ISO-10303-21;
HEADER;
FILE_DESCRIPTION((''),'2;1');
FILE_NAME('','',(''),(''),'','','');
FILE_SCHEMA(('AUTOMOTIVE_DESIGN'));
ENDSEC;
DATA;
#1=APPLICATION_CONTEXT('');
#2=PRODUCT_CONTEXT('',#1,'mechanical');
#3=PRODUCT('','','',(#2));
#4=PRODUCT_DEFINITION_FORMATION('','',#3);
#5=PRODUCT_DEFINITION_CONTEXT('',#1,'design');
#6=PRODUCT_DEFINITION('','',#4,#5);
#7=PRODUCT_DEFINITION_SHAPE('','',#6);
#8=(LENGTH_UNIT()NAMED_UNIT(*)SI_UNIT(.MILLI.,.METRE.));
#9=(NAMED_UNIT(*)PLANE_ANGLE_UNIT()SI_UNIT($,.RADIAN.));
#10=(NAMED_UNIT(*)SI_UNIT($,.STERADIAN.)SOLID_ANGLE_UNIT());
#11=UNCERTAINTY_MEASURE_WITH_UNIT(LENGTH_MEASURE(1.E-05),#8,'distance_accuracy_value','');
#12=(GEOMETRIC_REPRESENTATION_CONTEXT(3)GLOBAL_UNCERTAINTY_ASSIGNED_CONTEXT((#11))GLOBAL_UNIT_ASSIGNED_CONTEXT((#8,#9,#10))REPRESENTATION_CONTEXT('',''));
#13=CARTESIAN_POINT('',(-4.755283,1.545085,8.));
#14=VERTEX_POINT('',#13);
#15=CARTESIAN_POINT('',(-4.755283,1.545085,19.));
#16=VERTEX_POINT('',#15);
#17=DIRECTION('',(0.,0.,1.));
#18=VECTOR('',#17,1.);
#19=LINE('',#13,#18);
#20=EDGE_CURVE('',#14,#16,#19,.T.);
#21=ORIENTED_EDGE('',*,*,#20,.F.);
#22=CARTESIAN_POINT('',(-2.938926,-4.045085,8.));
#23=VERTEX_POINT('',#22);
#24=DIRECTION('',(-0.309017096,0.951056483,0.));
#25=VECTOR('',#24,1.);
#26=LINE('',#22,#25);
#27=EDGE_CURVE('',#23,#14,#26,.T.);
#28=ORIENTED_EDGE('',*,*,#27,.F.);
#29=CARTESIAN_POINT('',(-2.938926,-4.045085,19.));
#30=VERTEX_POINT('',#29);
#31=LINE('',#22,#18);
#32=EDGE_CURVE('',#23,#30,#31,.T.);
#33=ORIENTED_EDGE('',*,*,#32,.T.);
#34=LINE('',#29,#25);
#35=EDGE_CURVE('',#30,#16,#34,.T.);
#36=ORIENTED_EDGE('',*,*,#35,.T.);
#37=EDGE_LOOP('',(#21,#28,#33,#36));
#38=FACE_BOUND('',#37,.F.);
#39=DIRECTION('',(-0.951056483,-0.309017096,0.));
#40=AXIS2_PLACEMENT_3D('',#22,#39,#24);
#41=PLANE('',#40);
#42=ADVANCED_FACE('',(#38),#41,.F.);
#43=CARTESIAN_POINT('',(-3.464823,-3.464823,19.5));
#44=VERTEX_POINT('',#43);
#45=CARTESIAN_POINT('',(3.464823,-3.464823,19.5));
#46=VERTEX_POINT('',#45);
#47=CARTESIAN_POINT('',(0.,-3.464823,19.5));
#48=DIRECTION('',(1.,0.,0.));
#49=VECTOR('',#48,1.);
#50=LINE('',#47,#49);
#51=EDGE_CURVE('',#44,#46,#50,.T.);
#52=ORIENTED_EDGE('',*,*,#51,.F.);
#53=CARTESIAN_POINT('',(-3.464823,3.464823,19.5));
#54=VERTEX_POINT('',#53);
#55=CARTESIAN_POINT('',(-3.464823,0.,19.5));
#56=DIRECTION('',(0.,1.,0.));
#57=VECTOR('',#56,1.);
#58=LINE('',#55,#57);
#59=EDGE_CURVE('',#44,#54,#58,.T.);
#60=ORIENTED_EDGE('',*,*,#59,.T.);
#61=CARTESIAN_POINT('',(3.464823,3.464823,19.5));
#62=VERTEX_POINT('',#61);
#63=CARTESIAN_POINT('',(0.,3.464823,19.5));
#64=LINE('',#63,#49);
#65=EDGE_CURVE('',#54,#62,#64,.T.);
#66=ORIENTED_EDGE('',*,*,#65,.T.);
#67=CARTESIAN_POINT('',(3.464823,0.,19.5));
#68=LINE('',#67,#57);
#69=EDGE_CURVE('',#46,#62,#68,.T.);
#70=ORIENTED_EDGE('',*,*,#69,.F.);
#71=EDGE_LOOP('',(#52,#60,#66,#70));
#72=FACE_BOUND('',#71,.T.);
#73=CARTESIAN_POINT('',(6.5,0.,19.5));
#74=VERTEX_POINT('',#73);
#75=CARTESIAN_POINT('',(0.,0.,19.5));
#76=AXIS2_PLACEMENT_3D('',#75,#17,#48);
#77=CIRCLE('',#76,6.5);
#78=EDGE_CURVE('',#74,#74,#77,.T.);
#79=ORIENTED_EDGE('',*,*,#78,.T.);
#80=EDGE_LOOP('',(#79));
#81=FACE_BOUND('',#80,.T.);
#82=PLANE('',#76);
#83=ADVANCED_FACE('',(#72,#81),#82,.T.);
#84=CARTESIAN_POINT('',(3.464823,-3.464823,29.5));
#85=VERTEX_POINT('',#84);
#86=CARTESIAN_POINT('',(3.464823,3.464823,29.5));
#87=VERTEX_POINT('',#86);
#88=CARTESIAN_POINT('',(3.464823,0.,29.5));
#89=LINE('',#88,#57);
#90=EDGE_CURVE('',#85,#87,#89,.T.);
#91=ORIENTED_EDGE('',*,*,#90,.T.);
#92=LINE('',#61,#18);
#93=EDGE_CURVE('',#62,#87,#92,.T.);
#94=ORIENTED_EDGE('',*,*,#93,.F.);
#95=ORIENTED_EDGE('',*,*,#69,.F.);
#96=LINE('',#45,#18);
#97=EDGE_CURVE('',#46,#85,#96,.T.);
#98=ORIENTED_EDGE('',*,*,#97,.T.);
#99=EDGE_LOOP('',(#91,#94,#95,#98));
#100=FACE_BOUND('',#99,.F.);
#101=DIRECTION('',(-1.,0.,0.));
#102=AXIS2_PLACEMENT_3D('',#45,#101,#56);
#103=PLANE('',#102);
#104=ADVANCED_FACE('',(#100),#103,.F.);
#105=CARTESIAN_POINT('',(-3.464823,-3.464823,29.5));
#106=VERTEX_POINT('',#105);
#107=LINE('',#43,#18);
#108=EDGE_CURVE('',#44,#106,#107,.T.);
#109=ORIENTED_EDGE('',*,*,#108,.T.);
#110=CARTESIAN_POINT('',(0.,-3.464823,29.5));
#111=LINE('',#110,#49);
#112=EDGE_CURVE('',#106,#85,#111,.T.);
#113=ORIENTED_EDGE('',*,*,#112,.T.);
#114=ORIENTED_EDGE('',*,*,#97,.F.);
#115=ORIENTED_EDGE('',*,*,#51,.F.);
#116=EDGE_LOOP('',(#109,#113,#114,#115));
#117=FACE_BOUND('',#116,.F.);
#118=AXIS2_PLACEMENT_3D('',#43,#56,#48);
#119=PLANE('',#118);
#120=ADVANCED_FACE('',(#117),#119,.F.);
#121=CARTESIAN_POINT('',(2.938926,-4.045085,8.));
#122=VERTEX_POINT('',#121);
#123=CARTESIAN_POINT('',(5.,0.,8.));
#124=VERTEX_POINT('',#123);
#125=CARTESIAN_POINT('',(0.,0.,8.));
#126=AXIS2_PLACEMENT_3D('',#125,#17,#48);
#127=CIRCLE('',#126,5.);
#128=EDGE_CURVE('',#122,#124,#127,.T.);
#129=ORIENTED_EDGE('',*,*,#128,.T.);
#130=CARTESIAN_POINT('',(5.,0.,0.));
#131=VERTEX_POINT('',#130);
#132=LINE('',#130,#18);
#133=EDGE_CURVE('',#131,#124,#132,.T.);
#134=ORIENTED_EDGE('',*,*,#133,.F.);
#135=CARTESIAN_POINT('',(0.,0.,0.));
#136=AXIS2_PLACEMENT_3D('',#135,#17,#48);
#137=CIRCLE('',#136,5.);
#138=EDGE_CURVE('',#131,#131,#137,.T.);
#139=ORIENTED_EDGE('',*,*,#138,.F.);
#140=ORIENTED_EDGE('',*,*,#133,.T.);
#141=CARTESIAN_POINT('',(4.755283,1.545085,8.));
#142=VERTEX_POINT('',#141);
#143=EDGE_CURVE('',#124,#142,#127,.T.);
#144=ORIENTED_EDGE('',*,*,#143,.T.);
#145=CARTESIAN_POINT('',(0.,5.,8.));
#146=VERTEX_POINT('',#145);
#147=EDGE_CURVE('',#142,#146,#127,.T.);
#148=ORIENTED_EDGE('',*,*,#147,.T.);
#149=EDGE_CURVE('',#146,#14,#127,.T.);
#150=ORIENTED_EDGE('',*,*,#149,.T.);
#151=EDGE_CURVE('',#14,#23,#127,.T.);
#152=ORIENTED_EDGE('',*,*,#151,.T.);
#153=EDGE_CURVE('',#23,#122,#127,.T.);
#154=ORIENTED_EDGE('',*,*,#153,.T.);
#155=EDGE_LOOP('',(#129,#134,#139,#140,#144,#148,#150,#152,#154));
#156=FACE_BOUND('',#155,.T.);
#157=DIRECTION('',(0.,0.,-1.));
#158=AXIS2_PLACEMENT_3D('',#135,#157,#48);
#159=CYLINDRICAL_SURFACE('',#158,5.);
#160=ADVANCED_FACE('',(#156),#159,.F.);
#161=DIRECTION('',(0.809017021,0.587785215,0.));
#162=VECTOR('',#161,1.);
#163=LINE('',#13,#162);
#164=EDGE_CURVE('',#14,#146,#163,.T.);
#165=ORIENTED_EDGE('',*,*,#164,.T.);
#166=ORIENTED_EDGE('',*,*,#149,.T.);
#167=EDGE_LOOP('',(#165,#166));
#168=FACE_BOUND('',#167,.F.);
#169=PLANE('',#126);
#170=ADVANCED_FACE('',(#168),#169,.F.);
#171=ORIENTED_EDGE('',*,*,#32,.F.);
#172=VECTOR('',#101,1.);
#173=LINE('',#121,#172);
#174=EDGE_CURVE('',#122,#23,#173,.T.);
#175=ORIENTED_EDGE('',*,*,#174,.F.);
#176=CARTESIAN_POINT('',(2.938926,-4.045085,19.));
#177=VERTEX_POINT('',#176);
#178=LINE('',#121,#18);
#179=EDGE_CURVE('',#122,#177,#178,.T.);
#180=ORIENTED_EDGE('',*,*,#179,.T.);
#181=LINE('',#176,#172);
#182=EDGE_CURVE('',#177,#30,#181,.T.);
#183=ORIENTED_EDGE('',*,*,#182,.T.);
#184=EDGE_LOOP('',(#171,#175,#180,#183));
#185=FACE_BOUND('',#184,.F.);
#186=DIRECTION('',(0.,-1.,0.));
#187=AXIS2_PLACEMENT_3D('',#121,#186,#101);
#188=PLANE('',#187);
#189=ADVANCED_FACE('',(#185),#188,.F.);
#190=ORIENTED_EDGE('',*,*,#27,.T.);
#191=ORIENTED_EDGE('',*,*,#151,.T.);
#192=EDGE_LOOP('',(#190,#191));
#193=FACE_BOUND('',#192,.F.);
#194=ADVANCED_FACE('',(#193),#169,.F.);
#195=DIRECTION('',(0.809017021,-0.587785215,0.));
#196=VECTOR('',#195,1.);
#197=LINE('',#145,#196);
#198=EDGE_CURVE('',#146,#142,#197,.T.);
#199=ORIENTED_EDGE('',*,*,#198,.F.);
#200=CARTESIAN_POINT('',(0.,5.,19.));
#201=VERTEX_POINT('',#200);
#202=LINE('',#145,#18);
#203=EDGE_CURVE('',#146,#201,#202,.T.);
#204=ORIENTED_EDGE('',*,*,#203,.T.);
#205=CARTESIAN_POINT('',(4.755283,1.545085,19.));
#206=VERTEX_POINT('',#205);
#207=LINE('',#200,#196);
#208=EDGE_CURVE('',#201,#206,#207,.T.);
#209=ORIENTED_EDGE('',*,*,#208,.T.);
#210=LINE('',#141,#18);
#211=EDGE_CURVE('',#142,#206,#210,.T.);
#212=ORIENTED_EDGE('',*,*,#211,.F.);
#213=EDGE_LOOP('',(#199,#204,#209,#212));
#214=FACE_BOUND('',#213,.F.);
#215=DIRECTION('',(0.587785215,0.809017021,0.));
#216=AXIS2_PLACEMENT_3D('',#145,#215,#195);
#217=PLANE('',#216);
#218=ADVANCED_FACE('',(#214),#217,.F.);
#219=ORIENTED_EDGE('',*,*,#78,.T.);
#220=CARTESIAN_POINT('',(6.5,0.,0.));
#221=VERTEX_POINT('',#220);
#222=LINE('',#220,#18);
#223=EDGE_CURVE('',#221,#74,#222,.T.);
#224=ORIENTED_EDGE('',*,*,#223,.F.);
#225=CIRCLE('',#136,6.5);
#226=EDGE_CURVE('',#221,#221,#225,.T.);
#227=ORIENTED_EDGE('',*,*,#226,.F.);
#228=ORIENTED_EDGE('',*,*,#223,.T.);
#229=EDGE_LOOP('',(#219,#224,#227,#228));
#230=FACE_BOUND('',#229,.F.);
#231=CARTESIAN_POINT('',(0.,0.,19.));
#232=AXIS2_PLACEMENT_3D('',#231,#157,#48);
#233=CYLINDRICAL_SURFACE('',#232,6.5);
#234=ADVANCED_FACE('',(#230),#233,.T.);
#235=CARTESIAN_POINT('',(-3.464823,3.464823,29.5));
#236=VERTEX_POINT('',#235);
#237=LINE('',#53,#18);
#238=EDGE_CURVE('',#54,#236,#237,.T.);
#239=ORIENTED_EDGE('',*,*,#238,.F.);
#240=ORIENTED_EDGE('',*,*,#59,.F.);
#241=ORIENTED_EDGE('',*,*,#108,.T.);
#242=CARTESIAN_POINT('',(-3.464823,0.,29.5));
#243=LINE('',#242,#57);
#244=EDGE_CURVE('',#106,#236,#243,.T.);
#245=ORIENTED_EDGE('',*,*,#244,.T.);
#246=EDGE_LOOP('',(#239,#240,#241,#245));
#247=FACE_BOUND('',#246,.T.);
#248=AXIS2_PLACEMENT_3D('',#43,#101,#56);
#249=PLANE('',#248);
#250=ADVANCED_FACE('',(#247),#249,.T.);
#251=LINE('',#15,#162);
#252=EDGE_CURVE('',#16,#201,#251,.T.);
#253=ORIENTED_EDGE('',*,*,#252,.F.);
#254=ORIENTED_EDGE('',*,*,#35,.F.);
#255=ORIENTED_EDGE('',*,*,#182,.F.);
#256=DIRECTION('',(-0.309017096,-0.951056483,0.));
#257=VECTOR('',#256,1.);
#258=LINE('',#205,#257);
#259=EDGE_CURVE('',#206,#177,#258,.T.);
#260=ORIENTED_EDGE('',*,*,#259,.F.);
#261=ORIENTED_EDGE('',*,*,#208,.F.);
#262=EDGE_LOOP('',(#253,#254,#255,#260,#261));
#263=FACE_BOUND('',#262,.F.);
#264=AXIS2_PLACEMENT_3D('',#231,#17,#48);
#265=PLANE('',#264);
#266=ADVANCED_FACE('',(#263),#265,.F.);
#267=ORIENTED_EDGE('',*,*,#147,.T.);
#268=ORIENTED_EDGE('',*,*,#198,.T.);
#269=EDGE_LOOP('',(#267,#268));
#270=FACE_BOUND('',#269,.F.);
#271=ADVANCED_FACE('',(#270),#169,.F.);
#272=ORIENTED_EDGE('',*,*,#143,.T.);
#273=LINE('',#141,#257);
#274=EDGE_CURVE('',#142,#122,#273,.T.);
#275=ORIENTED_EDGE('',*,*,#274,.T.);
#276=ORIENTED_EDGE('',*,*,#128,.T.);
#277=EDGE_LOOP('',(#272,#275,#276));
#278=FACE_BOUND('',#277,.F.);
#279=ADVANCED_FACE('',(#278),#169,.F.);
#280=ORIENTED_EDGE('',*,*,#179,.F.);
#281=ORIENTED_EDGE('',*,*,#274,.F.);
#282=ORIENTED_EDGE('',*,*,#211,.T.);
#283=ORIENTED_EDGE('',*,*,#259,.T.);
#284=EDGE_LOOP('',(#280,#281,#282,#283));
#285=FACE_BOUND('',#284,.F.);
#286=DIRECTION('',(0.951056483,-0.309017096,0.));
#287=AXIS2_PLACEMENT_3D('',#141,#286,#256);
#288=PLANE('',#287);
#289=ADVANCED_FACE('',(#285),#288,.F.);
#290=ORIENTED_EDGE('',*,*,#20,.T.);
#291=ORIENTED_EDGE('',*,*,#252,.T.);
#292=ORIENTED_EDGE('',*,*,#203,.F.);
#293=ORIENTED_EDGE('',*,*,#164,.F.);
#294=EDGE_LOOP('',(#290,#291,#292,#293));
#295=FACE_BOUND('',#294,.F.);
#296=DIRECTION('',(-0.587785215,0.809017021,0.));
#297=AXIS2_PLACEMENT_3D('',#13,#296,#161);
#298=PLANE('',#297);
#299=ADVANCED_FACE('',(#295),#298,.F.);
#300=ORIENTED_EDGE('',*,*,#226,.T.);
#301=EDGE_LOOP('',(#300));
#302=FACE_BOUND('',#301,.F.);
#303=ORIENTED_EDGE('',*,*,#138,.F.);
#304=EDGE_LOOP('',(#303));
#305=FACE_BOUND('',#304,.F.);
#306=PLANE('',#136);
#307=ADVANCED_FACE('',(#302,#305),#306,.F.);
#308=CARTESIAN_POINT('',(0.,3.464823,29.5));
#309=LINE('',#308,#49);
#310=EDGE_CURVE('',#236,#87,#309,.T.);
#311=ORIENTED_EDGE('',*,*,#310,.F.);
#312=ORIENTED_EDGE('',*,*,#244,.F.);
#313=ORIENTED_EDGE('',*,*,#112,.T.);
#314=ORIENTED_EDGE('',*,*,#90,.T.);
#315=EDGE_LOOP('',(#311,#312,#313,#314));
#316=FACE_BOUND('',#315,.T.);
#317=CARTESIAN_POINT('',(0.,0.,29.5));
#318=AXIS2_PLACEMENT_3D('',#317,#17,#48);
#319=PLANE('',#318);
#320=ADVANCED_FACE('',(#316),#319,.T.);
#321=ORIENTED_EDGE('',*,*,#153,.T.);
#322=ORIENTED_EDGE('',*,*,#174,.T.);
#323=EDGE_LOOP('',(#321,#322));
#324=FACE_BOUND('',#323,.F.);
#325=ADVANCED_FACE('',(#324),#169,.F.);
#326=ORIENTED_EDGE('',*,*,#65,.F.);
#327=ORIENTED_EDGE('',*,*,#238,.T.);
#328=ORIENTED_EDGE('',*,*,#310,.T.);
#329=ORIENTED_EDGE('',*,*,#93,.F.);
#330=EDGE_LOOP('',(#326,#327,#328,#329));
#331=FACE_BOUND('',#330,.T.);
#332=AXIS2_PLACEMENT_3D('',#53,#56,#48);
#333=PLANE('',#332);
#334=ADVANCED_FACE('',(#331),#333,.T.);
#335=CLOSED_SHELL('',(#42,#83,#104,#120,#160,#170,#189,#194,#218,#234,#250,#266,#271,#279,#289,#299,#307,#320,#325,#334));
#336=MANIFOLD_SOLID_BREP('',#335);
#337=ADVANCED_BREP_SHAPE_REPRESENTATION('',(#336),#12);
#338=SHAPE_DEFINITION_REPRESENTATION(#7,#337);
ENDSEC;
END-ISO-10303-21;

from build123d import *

# Parameters (mm, degrees)
F0_R     = 6.5
F0_R_2   = 5
F1_DEPTH = 8
F2_R     = 6.5
F3_DEPTH = 11
F4_R     = 6.5
F5_DEPTH = 0.5
F6_W     = 6.929646
F6_H     = 6.929646
F7_DEPTH = 10


with BuildPart() as f1:
    # F0 (on Top) → F1 (new body)
    with BuildSketch(Plane.XY):
        Circle(F0_R)
        Circle(F0_R_2, mode=Mode.SUBTRACT)
    extrude(amount=F1_DEPTH)

    # F2 (on face) → F3 (join)
    with BuildSketch(Plane.XY.offset(8)):
        Circle(F2_R)
        Polygon((4.755283, 1.545085), (2.938926, -4.045085), (-2.938926, -4.045085), (-4.755283, 1.545085), (0, 5), align=None, mode=Mode.SUBTRACT)
    extrude(amount=F3_DEPTH)

    # F4 (on face) → F5 (join)
    with BuildSketch(Plane.XY.offset(19)):
        Circle(F4_R)
    extrude(amount=F5_DEPTH)

    # F6 (on face) → F7 (join)
    with BuildSketch(Plane.XY.offset(19.5)):
        Rectangle(F6_W, F6_H)
    extrude(amount=F7_DEPTH)


solid = f1.part
